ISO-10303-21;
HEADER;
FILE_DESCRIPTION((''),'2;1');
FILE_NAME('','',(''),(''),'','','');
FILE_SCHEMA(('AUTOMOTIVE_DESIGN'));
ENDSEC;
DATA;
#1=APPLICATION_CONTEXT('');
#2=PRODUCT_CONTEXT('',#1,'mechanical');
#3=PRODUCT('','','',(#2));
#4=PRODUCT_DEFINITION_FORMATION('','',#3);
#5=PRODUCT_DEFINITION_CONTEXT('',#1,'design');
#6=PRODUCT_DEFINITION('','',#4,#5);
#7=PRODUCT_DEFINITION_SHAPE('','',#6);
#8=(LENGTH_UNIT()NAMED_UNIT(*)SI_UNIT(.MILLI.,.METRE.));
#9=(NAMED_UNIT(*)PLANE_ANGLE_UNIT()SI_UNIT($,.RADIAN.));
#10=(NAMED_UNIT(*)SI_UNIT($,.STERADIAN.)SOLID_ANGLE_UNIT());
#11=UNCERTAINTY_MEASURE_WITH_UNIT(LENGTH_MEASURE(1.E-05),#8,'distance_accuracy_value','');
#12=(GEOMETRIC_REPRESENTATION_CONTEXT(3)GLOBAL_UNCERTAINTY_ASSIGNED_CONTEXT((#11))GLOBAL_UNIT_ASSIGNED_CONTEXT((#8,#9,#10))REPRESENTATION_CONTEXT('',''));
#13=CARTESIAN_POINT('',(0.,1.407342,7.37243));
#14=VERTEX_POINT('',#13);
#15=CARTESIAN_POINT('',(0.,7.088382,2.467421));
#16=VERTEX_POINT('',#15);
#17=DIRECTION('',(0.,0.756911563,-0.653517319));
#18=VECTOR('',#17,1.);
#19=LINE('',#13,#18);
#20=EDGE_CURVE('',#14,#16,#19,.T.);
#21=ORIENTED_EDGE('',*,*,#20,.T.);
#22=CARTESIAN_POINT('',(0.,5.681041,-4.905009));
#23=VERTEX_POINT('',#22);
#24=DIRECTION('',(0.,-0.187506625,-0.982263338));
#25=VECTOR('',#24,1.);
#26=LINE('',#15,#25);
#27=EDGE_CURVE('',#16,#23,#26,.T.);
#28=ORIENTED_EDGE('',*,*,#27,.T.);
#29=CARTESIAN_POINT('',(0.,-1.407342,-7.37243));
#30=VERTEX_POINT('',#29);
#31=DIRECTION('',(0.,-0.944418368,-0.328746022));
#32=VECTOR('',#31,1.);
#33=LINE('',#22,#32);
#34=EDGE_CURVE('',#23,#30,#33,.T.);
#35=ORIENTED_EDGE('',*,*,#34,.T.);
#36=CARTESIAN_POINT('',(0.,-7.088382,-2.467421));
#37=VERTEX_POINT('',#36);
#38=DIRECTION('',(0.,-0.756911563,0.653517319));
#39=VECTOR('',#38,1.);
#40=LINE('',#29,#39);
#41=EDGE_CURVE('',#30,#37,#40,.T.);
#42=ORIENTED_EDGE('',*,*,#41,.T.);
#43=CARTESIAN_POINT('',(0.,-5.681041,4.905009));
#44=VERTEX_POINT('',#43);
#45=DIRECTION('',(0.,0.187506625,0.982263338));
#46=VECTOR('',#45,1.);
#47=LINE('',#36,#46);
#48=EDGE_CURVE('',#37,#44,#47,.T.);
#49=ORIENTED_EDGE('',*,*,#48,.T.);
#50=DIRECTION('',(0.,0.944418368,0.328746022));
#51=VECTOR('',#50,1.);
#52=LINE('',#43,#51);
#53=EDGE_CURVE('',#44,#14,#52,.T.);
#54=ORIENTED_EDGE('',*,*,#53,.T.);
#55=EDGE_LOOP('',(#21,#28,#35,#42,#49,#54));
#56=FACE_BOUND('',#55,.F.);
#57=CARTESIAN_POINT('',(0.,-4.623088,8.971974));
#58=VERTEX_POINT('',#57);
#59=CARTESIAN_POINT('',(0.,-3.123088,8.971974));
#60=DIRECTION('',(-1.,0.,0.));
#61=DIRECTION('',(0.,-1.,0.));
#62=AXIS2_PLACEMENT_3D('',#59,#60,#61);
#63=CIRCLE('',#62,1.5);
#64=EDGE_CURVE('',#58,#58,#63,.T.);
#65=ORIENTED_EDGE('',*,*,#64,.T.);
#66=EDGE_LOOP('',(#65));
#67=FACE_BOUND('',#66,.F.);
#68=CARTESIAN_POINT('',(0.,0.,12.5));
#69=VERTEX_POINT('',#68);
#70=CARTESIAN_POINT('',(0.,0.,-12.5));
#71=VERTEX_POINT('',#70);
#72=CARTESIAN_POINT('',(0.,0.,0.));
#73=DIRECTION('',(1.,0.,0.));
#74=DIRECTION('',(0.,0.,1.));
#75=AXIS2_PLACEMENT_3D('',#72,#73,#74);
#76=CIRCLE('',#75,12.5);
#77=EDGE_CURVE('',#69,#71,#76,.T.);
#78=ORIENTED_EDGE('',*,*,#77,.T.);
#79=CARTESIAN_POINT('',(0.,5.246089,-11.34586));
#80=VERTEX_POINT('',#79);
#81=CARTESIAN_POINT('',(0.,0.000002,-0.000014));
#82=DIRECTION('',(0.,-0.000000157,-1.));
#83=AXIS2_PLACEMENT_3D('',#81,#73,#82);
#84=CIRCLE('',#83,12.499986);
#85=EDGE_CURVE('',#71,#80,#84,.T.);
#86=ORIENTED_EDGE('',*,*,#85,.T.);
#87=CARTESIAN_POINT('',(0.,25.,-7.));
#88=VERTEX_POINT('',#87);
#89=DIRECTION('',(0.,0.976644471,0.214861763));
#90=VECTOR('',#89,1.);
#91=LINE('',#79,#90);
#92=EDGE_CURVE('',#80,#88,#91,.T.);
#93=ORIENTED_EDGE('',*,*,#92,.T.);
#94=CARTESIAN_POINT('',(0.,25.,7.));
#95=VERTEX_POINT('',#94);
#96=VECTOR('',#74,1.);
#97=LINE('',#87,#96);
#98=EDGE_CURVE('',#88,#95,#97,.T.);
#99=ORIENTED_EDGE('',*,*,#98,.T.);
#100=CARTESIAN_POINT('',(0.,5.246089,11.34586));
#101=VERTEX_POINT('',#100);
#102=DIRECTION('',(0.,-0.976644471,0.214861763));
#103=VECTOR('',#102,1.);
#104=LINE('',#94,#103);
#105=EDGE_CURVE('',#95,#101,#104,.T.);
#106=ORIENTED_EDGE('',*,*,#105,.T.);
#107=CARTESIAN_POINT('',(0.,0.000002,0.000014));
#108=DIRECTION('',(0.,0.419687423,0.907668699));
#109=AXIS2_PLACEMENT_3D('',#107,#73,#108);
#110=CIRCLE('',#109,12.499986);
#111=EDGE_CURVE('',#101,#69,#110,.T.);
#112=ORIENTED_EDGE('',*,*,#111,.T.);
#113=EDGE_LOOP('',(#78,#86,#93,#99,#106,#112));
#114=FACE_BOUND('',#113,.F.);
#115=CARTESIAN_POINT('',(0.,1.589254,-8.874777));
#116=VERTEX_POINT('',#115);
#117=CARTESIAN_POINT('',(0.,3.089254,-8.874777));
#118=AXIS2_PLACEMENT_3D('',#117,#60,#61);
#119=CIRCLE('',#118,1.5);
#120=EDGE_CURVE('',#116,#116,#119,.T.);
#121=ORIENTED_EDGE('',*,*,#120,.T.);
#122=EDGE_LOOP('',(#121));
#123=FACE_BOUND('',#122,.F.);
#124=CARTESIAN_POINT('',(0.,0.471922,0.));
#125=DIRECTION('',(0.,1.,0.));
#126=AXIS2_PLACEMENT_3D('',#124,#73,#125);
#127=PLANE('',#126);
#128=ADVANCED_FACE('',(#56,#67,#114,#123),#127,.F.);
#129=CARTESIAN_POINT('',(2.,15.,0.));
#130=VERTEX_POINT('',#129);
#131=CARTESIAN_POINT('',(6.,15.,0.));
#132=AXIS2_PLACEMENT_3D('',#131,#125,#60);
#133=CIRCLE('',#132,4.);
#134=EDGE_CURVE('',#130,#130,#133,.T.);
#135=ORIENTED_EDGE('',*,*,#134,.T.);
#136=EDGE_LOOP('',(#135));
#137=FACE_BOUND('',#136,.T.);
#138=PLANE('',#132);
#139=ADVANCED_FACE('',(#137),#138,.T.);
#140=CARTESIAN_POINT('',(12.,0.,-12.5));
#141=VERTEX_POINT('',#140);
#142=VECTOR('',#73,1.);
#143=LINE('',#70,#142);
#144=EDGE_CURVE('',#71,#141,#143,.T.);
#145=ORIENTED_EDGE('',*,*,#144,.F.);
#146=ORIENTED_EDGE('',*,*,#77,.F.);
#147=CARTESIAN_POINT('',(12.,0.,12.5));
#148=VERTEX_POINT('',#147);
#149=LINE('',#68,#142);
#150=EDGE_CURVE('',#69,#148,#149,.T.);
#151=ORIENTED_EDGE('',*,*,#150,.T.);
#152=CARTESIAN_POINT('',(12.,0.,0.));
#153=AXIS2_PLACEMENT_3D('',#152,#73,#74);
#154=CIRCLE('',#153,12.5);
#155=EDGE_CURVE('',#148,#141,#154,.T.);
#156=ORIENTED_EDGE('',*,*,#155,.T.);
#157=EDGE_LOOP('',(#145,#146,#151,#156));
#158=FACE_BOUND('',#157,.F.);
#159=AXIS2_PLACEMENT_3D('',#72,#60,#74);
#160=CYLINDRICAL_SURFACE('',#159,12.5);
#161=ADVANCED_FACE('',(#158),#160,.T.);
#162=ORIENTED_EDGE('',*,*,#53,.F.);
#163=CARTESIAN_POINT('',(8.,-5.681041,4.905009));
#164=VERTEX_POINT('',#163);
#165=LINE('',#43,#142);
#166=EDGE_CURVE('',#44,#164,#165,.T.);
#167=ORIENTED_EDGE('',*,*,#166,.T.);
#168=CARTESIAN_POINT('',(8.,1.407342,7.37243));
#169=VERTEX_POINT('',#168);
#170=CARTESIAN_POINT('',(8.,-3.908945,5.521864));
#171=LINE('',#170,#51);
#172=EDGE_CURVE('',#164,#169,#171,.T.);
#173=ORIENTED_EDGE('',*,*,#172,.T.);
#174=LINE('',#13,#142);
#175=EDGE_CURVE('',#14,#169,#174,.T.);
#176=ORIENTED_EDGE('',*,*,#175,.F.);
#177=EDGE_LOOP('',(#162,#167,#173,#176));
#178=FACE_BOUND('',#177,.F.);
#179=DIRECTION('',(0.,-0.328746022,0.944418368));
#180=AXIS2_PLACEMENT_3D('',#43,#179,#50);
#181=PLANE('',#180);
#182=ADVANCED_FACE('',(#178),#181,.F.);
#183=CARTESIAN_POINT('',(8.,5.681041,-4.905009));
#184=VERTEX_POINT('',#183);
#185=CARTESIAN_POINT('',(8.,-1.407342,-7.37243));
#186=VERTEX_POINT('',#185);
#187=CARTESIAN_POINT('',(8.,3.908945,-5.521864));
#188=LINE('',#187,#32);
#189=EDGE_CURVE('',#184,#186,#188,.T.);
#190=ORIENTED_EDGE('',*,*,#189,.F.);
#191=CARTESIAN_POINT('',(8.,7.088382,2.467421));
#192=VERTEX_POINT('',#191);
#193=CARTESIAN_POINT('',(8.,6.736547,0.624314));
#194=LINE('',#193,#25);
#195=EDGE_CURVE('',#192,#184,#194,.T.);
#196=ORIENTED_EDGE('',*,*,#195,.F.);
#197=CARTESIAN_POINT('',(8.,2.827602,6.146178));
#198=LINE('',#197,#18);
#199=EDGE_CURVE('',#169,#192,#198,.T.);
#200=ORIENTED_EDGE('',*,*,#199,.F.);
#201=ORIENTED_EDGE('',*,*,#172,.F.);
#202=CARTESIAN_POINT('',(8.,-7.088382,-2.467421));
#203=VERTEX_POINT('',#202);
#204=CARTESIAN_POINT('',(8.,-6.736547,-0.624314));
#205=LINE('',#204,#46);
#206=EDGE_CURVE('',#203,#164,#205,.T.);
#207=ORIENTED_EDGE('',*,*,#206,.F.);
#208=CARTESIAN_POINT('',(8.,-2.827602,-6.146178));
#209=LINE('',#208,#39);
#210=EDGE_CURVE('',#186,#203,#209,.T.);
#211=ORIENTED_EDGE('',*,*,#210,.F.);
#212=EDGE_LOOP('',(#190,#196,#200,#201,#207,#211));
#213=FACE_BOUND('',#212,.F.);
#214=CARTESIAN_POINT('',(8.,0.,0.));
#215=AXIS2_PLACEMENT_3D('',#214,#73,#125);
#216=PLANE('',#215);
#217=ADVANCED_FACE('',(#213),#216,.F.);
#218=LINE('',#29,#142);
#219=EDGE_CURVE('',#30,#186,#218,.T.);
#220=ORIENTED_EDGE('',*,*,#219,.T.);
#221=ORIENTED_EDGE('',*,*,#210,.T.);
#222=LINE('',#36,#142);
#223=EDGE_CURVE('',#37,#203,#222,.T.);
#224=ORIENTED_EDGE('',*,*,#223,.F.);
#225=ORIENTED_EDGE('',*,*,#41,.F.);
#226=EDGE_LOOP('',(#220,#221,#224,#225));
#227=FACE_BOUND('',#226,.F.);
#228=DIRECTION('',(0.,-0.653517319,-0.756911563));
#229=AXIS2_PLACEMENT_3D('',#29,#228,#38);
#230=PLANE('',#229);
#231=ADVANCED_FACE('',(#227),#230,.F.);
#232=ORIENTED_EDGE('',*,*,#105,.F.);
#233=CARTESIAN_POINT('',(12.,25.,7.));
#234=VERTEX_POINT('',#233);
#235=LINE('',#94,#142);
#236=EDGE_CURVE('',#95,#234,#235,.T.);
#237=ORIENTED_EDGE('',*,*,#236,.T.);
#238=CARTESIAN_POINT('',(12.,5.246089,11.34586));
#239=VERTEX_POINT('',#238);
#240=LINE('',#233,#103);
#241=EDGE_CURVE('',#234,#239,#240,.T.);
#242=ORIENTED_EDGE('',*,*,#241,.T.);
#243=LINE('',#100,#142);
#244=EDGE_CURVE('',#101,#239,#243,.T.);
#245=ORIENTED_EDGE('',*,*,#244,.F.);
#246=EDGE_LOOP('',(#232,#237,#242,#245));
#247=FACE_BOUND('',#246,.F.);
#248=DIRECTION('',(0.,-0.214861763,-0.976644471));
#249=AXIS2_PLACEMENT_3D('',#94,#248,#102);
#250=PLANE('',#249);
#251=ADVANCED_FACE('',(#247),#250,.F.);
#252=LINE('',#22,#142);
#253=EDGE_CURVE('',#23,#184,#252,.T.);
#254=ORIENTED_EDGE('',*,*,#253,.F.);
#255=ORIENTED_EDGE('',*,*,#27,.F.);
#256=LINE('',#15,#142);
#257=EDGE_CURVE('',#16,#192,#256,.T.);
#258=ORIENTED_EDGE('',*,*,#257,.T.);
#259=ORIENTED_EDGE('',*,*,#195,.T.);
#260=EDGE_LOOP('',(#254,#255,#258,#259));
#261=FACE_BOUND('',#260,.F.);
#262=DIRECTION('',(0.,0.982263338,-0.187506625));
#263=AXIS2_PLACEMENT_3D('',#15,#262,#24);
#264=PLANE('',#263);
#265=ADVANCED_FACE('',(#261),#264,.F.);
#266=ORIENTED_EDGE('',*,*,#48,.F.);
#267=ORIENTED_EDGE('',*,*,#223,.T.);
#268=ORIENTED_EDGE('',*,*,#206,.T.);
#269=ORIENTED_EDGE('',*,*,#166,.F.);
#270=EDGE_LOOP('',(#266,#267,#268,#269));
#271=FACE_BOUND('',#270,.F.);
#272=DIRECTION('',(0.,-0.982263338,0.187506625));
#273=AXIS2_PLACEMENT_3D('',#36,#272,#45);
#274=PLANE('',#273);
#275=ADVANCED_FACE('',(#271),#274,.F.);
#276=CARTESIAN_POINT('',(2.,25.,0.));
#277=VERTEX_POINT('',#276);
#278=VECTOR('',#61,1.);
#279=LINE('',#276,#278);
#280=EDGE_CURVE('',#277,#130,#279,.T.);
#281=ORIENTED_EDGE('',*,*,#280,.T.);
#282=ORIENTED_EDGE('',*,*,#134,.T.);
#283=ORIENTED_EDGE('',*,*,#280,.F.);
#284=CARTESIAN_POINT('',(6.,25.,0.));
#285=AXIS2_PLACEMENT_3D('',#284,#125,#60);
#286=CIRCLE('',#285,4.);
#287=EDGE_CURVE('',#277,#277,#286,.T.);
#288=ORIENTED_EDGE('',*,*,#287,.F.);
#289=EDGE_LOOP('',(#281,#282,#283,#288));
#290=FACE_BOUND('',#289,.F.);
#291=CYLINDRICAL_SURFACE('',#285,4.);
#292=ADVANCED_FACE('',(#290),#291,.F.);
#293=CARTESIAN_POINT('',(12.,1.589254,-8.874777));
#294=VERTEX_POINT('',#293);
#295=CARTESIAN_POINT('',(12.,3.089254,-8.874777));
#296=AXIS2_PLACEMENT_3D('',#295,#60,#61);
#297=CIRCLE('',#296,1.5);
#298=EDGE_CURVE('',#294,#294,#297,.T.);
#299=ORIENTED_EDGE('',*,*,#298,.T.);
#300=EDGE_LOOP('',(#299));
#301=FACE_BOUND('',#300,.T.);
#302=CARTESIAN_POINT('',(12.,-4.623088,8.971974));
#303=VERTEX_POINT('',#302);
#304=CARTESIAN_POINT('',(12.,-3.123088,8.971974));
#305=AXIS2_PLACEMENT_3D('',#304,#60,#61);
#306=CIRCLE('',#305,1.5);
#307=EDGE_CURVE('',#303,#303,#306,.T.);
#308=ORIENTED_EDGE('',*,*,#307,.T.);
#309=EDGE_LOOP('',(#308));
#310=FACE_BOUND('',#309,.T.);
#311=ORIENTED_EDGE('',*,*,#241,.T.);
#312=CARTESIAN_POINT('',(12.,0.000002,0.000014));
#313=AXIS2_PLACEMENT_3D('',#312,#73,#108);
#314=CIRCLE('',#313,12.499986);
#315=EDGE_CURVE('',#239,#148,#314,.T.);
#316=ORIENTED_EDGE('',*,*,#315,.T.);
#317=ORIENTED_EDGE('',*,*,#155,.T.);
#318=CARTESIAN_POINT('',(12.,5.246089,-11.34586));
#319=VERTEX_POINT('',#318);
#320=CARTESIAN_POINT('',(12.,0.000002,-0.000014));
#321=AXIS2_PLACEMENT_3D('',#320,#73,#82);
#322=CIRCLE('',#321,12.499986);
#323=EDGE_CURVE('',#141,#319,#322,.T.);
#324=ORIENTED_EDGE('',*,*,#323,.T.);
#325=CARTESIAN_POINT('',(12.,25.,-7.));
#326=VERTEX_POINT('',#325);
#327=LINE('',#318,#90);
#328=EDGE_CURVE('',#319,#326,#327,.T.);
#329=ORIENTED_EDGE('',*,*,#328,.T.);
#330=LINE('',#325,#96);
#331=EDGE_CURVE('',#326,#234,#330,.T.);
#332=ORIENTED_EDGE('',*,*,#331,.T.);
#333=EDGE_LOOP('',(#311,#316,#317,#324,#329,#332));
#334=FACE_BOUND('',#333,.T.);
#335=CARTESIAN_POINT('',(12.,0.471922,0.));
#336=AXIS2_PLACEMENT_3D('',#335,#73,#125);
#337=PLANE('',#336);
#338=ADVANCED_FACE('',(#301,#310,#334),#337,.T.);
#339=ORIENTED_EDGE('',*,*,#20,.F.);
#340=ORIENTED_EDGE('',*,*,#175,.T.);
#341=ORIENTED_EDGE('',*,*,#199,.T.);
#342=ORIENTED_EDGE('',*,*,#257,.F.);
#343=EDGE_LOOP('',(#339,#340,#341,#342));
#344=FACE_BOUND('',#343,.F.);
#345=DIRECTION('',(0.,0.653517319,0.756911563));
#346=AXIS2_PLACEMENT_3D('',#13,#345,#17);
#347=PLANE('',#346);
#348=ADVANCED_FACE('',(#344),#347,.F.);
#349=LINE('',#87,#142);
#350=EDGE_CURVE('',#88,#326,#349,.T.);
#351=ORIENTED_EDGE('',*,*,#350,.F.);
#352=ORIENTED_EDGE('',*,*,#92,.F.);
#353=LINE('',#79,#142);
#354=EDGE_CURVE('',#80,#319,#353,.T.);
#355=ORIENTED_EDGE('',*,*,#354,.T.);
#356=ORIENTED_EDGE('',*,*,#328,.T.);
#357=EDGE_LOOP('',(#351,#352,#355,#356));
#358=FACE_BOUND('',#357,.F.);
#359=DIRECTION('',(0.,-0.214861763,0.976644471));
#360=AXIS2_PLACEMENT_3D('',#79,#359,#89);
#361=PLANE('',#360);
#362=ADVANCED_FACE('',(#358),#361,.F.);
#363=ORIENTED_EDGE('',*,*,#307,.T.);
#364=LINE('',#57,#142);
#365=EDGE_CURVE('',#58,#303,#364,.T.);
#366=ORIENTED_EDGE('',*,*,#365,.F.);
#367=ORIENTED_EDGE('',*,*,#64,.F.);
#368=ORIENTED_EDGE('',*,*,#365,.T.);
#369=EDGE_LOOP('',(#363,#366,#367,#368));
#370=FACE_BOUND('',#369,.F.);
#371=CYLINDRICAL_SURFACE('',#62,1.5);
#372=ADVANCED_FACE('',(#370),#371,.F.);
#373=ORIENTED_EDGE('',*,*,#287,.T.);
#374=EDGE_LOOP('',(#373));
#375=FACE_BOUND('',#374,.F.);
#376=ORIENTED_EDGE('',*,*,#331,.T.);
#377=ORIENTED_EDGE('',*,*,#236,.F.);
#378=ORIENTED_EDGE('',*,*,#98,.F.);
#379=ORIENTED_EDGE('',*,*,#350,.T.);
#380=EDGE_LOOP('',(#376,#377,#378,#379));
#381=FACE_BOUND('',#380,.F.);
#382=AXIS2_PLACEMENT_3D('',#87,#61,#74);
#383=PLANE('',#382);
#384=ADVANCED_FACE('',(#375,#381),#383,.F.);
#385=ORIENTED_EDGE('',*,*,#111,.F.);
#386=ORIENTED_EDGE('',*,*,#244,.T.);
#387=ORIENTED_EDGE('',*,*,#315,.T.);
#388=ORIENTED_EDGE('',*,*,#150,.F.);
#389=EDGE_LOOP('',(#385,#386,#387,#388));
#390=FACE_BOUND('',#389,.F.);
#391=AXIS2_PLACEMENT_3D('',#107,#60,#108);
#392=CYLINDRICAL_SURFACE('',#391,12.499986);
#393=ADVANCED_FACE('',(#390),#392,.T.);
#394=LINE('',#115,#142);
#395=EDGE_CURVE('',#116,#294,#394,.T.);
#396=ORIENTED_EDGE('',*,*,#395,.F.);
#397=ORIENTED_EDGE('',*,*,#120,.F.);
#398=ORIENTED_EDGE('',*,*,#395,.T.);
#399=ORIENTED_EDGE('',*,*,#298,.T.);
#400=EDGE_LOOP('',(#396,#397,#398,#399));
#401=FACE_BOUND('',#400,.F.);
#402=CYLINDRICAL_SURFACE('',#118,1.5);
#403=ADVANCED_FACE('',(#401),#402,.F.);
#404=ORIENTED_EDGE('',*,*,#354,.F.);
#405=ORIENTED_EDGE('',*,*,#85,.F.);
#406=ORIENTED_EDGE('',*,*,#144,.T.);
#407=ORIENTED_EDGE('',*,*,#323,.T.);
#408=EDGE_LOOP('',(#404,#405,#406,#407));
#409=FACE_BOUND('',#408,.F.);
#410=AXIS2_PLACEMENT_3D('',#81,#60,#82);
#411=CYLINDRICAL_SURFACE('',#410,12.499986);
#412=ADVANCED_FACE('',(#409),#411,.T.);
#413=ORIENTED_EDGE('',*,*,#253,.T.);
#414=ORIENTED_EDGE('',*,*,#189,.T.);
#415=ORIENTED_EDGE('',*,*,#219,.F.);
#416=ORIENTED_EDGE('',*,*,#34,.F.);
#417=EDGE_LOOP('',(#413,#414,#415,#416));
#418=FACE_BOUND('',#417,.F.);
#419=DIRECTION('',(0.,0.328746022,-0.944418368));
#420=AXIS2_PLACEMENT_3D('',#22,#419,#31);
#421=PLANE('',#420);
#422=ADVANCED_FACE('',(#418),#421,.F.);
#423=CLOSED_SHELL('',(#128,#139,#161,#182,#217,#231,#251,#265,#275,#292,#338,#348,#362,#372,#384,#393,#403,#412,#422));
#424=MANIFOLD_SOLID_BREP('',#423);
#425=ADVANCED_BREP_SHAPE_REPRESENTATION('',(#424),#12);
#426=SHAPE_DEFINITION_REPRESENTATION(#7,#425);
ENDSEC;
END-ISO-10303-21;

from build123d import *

# Parameters (mm, degrees)
F1_DEPTH = 12
F2_R     = 4
F3_DEPTH = 10
F4_R     = 7.55
F5_DEPTH = 4
F6_R     = 1.5
F7_DEPTH = 25


with BuildPart() as f1:
    # F0 (on Right) → F1 (new body)
    with BuildSketch(Plane.YZ):
        with BuildLine():
            Line((5.246089, 11.34586), (0, 12.5))
            ThreePointArc((0, 12.5), (-12.5, 0), (0, -12.5))
            Line((0, -12.5), (5.246089, -11.34586))
            ThreePointArc((5.246089, -11.34586), (10.531527, -6.733271), (12.5, 0))
            ThreePointArc((12.5, 0), (10.531527, 6.733271), (5.246089, 11.34586))
        make_face()
        Polygon((7.088382, 2.467421), (5.681041, -4.905009), (-1.407342, -7.37243), (-7.088382, -2.467421), (-5.681041, 4.905009), (1.407342, 7.37243), align=None, mode=Mode.SUBTRACT)
        with BuildLine():
            ThreePointArc((5.246089, 11.34586), (2.685772, 12.208056), (0, 12.5))
            Line((0, 12.5), (5.246089, 11.34586))
        make_face()
        with BuildLine():
            Line((5.246089, -11.34586), (0, -12.5))
            ThreePointArc((0, -12.5), (2.685772, -12.208056), (5.246089, -11.34586))
        make_face()
        with BuildLine():
            Line((25, 7), (5.246089, 11.34586))
            ThreePointArc((5.246089, 11.34586), (10.531527, 6.733271), (12.5, 0))
            ThreePointArc((12.5, 0), (10.531527, -6.733271), (5.246089, -11.34586))
            Line((5.246089, -11.34586), (25, -7))
            Line((25, -7), (25, 0))
            Line((25, 0), (25, 7))
        make_face()
    extrude(amount=F1_DEPTH)

    # F2 (on face) → F3 (cut)
    with BuildSketch(Plane(origin=(0, 25, 0), x_dir=(-1, 0, 0), z_dir=(0, 1, 0))):
        with Locations((-6, 0)):
            Circle(F2_R)
    extrude(amount=-F3_DEPTH, mode=Mode.SUBTRACT)

    # F4 (on face) → F5 (join)
    with BuildSketch(Plane.YZ.offset(12)):
        Circle(F4_R)
    extrude(amount=-F5_DEPTH)

    # F6 (on face) → F7 (cut)
    with BuildSketch(Plane(origin=(0, 0, 0), x_dir=(0, -1, 0), z_dir=(-1, 0, 0))):
        with Locations((3.123088, 8.971974)):
            Circle(F6_R)
        with Locations((-3.089254, -8.874777)):
            Circle(F6_R)
    extrude(amount=-F7_DEPTH, mode=Mode.SUBTRACT)


solid = f1.part
